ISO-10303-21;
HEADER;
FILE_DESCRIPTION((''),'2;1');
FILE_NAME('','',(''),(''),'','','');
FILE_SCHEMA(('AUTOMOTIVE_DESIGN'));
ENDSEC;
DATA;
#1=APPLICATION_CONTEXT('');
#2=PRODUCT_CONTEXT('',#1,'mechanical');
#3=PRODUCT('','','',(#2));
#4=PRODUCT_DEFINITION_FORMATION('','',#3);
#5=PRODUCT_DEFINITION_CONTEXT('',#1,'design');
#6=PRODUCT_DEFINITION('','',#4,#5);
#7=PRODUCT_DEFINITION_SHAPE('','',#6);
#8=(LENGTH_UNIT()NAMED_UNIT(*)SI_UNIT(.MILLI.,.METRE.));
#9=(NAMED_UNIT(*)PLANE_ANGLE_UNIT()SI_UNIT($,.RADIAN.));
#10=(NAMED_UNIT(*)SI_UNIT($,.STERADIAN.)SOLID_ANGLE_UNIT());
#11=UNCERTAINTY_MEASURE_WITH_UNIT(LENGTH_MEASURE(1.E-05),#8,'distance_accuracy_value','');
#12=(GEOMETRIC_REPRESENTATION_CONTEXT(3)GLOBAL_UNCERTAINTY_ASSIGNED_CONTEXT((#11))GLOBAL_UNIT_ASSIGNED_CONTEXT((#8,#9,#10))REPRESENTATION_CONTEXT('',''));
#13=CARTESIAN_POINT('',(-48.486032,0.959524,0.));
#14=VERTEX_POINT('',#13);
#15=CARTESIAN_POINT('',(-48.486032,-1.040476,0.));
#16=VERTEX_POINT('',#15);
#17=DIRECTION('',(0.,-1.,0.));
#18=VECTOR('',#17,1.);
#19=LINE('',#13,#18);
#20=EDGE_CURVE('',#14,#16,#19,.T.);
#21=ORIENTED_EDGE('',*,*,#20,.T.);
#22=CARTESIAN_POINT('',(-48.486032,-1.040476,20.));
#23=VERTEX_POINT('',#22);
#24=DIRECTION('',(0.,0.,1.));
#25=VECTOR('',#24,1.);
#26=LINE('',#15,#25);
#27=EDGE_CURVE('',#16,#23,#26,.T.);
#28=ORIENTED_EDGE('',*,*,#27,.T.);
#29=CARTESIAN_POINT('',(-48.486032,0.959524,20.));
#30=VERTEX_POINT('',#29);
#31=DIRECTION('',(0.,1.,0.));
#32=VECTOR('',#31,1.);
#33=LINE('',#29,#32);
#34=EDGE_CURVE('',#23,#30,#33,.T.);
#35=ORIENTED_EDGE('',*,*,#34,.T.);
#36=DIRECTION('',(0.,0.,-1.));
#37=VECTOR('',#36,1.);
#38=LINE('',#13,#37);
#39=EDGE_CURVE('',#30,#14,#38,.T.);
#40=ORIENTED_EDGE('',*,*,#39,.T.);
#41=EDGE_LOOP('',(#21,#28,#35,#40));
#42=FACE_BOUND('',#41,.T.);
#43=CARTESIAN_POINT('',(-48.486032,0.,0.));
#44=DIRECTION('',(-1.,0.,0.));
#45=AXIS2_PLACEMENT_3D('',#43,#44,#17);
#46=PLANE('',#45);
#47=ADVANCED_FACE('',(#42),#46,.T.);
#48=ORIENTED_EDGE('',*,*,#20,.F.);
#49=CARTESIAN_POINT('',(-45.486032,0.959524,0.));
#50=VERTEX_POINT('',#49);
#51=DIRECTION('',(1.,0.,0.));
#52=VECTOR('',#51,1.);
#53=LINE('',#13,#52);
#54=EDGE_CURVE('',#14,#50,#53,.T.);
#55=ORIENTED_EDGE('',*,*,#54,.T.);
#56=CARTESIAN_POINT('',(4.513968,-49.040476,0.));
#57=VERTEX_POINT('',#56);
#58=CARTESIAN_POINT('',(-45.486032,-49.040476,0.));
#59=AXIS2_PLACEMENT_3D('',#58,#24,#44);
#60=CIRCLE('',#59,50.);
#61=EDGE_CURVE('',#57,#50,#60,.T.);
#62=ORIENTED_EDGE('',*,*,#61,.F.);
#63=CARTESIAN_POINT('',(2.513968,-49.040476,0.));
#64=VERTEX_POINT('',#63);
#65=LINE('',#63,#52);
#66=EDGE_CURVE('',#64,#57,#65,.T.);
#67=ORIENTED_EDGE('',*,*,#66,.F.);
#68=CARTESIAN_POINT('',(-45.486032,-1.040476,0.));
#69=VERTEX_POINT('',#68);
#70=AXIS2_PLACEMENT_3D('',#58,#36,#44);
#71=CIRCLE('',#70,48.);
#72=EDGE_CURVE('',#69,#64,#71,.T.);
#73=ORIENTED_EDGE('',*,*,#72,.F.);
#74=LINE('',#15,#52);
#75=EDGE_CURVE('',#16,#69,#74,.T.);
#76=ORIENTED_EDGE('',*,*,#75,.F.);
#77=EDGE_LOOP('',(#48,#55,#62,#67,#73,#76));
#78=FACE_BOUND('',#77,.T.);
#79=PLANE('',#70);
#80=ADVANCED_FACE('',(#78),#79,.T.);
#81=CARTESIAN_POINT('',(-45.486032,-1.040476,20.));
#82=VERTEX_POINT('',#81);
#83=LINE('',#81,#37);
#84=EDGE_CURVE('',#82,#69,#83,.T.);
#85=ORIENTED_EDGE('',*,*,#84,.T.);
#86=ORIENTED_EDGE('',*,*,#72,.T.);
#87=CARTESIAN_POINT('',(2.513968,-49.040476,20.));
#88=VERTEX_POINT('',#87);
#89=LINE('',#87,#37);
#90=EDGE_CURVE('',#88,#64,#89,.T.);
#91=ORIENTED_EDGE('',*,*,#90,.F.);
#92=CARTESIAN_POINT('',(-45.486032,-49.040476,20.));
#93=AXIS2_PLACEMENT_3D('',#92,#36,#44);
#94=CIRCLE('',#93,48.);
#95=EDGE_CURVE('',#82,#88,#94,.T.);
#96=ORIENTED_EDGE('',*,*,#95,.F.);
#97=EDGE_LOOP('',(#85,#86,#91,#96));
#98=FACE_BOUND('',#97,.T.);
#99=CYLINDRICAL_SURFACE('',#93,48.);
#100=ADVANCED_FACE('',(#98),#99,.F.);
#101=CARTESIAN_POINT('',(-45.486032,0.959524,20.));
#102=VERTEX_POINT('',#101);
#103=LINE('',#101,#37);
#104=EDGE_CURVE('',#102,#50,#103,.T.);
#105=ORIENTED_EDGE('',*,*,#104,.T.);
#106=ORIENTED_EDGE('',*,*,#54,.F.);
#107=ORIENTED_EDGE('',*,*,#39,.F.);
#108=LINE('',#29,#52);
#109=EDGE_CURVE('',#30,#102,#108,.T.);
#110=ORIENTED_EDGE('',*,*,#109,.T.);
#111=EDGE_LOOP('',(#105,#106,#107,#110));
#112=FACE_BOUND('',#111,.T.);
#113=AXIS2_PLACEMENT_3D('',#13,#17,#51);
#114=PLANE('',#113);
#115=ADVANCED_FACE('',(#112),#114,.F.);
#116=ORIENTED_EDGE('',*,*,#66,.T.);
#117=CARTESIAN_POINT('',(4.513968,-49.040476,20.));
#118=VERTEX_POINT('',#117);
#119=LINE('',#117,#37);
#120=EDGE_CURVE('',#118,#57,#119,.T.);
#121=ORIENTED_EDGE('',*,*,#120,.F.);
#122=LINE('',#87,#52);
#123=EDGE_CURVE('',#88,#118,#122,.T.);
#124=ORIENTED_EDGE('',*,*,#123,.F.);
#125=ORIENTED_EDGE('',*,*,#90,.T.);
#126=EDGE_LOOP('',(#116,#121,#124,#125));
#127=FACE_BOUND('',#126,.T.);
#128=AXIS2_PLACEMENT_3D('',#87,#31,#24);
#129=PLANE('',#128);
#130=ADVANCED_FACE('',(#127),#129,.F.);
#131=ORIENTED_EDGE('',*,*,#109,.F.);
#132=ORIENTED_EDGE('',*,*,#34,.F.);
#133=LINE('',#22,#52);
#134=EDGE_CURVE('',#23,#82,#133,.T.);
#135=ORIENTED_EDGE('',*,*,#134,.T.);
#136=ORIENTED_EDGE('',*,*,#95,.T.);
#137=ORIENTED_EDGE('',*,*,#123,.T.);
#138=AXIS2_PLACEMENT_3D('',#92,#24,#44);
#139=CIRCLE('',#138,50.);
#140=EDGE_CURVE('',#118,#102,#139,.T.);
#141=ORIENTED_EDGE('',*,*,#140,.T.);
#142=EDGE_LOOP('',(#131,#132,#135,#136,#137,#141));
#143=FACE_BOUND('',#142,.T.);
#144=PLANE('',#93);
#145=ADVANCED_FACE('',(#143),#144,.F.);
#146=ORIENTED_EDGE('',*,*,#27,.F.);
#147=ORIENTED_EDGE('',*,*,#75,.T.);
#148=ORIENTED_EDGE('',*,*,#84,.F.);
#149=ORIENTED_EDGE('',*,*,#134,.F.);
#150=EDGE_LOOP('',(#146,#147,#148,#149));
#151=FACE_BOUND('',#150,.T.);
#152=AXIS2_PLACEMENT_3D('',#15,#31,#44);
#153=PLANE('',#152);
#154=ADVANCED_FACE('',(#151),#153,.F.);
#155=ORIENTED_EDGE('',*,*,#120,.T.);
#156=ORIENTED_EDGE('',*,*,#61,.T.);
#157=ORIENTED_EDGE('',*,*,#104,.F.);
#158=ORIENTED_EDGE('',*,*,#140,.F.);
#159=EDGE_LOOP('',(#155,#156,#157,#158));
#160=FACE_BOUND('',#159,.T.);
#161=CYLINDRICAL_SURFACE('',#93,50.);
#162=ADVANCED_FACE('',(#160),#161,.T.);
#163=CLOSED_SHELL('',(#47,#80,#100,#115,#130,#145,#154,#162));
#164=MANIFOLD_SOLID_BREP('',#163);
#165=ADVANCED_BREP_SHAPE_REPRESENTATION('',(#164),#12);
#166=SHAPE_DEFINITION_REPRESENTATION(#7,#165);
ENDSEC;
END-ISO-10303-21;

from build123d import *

# Parameters (mm, degrees)
BOSS_EXTRUDE1_DEPTH = 20
SKETCH2_W           = 20
SKETCH2_H           = 2
BOSS_EXTRUDE2_DEPTH = 3


with BuildPart() as part:
    # Sketch1 → Boss-Extrude1 (new body)
    with BuildSketch(Plane.XY):
        with BuildLine():
            Line((-45.486032275, 0.959524002), (-45.486032275, -1.040475998))
            ThreePointArc((-45.486032275, -1.040475998), (-11.544906778, -15.099350501), (2.513967725, -49.040475998))
            Line((2.513967725, -49.040475998), (4.513967725, -49.040475998))
            ThreePointArc((4.513967725, -49.040475998), (-10.130693215, -13.685136939), (-45.486032275, 0.959524002))
        make_face()
    extrude(amount=BOSS_EXTRUDE1_DEPTH)

    # Sketch2 → Boss-Extrude2 (add)
    with BuildSketch(Plane.ZY.offset(45.486032275)):
        with Locations((10, -0.040475998)):
            Rectangle(SKETCH2_W, SKETCH2_H)
    extrude(amount=BOSS_EXTRUDE2_DEPTH)


solid = part.part
